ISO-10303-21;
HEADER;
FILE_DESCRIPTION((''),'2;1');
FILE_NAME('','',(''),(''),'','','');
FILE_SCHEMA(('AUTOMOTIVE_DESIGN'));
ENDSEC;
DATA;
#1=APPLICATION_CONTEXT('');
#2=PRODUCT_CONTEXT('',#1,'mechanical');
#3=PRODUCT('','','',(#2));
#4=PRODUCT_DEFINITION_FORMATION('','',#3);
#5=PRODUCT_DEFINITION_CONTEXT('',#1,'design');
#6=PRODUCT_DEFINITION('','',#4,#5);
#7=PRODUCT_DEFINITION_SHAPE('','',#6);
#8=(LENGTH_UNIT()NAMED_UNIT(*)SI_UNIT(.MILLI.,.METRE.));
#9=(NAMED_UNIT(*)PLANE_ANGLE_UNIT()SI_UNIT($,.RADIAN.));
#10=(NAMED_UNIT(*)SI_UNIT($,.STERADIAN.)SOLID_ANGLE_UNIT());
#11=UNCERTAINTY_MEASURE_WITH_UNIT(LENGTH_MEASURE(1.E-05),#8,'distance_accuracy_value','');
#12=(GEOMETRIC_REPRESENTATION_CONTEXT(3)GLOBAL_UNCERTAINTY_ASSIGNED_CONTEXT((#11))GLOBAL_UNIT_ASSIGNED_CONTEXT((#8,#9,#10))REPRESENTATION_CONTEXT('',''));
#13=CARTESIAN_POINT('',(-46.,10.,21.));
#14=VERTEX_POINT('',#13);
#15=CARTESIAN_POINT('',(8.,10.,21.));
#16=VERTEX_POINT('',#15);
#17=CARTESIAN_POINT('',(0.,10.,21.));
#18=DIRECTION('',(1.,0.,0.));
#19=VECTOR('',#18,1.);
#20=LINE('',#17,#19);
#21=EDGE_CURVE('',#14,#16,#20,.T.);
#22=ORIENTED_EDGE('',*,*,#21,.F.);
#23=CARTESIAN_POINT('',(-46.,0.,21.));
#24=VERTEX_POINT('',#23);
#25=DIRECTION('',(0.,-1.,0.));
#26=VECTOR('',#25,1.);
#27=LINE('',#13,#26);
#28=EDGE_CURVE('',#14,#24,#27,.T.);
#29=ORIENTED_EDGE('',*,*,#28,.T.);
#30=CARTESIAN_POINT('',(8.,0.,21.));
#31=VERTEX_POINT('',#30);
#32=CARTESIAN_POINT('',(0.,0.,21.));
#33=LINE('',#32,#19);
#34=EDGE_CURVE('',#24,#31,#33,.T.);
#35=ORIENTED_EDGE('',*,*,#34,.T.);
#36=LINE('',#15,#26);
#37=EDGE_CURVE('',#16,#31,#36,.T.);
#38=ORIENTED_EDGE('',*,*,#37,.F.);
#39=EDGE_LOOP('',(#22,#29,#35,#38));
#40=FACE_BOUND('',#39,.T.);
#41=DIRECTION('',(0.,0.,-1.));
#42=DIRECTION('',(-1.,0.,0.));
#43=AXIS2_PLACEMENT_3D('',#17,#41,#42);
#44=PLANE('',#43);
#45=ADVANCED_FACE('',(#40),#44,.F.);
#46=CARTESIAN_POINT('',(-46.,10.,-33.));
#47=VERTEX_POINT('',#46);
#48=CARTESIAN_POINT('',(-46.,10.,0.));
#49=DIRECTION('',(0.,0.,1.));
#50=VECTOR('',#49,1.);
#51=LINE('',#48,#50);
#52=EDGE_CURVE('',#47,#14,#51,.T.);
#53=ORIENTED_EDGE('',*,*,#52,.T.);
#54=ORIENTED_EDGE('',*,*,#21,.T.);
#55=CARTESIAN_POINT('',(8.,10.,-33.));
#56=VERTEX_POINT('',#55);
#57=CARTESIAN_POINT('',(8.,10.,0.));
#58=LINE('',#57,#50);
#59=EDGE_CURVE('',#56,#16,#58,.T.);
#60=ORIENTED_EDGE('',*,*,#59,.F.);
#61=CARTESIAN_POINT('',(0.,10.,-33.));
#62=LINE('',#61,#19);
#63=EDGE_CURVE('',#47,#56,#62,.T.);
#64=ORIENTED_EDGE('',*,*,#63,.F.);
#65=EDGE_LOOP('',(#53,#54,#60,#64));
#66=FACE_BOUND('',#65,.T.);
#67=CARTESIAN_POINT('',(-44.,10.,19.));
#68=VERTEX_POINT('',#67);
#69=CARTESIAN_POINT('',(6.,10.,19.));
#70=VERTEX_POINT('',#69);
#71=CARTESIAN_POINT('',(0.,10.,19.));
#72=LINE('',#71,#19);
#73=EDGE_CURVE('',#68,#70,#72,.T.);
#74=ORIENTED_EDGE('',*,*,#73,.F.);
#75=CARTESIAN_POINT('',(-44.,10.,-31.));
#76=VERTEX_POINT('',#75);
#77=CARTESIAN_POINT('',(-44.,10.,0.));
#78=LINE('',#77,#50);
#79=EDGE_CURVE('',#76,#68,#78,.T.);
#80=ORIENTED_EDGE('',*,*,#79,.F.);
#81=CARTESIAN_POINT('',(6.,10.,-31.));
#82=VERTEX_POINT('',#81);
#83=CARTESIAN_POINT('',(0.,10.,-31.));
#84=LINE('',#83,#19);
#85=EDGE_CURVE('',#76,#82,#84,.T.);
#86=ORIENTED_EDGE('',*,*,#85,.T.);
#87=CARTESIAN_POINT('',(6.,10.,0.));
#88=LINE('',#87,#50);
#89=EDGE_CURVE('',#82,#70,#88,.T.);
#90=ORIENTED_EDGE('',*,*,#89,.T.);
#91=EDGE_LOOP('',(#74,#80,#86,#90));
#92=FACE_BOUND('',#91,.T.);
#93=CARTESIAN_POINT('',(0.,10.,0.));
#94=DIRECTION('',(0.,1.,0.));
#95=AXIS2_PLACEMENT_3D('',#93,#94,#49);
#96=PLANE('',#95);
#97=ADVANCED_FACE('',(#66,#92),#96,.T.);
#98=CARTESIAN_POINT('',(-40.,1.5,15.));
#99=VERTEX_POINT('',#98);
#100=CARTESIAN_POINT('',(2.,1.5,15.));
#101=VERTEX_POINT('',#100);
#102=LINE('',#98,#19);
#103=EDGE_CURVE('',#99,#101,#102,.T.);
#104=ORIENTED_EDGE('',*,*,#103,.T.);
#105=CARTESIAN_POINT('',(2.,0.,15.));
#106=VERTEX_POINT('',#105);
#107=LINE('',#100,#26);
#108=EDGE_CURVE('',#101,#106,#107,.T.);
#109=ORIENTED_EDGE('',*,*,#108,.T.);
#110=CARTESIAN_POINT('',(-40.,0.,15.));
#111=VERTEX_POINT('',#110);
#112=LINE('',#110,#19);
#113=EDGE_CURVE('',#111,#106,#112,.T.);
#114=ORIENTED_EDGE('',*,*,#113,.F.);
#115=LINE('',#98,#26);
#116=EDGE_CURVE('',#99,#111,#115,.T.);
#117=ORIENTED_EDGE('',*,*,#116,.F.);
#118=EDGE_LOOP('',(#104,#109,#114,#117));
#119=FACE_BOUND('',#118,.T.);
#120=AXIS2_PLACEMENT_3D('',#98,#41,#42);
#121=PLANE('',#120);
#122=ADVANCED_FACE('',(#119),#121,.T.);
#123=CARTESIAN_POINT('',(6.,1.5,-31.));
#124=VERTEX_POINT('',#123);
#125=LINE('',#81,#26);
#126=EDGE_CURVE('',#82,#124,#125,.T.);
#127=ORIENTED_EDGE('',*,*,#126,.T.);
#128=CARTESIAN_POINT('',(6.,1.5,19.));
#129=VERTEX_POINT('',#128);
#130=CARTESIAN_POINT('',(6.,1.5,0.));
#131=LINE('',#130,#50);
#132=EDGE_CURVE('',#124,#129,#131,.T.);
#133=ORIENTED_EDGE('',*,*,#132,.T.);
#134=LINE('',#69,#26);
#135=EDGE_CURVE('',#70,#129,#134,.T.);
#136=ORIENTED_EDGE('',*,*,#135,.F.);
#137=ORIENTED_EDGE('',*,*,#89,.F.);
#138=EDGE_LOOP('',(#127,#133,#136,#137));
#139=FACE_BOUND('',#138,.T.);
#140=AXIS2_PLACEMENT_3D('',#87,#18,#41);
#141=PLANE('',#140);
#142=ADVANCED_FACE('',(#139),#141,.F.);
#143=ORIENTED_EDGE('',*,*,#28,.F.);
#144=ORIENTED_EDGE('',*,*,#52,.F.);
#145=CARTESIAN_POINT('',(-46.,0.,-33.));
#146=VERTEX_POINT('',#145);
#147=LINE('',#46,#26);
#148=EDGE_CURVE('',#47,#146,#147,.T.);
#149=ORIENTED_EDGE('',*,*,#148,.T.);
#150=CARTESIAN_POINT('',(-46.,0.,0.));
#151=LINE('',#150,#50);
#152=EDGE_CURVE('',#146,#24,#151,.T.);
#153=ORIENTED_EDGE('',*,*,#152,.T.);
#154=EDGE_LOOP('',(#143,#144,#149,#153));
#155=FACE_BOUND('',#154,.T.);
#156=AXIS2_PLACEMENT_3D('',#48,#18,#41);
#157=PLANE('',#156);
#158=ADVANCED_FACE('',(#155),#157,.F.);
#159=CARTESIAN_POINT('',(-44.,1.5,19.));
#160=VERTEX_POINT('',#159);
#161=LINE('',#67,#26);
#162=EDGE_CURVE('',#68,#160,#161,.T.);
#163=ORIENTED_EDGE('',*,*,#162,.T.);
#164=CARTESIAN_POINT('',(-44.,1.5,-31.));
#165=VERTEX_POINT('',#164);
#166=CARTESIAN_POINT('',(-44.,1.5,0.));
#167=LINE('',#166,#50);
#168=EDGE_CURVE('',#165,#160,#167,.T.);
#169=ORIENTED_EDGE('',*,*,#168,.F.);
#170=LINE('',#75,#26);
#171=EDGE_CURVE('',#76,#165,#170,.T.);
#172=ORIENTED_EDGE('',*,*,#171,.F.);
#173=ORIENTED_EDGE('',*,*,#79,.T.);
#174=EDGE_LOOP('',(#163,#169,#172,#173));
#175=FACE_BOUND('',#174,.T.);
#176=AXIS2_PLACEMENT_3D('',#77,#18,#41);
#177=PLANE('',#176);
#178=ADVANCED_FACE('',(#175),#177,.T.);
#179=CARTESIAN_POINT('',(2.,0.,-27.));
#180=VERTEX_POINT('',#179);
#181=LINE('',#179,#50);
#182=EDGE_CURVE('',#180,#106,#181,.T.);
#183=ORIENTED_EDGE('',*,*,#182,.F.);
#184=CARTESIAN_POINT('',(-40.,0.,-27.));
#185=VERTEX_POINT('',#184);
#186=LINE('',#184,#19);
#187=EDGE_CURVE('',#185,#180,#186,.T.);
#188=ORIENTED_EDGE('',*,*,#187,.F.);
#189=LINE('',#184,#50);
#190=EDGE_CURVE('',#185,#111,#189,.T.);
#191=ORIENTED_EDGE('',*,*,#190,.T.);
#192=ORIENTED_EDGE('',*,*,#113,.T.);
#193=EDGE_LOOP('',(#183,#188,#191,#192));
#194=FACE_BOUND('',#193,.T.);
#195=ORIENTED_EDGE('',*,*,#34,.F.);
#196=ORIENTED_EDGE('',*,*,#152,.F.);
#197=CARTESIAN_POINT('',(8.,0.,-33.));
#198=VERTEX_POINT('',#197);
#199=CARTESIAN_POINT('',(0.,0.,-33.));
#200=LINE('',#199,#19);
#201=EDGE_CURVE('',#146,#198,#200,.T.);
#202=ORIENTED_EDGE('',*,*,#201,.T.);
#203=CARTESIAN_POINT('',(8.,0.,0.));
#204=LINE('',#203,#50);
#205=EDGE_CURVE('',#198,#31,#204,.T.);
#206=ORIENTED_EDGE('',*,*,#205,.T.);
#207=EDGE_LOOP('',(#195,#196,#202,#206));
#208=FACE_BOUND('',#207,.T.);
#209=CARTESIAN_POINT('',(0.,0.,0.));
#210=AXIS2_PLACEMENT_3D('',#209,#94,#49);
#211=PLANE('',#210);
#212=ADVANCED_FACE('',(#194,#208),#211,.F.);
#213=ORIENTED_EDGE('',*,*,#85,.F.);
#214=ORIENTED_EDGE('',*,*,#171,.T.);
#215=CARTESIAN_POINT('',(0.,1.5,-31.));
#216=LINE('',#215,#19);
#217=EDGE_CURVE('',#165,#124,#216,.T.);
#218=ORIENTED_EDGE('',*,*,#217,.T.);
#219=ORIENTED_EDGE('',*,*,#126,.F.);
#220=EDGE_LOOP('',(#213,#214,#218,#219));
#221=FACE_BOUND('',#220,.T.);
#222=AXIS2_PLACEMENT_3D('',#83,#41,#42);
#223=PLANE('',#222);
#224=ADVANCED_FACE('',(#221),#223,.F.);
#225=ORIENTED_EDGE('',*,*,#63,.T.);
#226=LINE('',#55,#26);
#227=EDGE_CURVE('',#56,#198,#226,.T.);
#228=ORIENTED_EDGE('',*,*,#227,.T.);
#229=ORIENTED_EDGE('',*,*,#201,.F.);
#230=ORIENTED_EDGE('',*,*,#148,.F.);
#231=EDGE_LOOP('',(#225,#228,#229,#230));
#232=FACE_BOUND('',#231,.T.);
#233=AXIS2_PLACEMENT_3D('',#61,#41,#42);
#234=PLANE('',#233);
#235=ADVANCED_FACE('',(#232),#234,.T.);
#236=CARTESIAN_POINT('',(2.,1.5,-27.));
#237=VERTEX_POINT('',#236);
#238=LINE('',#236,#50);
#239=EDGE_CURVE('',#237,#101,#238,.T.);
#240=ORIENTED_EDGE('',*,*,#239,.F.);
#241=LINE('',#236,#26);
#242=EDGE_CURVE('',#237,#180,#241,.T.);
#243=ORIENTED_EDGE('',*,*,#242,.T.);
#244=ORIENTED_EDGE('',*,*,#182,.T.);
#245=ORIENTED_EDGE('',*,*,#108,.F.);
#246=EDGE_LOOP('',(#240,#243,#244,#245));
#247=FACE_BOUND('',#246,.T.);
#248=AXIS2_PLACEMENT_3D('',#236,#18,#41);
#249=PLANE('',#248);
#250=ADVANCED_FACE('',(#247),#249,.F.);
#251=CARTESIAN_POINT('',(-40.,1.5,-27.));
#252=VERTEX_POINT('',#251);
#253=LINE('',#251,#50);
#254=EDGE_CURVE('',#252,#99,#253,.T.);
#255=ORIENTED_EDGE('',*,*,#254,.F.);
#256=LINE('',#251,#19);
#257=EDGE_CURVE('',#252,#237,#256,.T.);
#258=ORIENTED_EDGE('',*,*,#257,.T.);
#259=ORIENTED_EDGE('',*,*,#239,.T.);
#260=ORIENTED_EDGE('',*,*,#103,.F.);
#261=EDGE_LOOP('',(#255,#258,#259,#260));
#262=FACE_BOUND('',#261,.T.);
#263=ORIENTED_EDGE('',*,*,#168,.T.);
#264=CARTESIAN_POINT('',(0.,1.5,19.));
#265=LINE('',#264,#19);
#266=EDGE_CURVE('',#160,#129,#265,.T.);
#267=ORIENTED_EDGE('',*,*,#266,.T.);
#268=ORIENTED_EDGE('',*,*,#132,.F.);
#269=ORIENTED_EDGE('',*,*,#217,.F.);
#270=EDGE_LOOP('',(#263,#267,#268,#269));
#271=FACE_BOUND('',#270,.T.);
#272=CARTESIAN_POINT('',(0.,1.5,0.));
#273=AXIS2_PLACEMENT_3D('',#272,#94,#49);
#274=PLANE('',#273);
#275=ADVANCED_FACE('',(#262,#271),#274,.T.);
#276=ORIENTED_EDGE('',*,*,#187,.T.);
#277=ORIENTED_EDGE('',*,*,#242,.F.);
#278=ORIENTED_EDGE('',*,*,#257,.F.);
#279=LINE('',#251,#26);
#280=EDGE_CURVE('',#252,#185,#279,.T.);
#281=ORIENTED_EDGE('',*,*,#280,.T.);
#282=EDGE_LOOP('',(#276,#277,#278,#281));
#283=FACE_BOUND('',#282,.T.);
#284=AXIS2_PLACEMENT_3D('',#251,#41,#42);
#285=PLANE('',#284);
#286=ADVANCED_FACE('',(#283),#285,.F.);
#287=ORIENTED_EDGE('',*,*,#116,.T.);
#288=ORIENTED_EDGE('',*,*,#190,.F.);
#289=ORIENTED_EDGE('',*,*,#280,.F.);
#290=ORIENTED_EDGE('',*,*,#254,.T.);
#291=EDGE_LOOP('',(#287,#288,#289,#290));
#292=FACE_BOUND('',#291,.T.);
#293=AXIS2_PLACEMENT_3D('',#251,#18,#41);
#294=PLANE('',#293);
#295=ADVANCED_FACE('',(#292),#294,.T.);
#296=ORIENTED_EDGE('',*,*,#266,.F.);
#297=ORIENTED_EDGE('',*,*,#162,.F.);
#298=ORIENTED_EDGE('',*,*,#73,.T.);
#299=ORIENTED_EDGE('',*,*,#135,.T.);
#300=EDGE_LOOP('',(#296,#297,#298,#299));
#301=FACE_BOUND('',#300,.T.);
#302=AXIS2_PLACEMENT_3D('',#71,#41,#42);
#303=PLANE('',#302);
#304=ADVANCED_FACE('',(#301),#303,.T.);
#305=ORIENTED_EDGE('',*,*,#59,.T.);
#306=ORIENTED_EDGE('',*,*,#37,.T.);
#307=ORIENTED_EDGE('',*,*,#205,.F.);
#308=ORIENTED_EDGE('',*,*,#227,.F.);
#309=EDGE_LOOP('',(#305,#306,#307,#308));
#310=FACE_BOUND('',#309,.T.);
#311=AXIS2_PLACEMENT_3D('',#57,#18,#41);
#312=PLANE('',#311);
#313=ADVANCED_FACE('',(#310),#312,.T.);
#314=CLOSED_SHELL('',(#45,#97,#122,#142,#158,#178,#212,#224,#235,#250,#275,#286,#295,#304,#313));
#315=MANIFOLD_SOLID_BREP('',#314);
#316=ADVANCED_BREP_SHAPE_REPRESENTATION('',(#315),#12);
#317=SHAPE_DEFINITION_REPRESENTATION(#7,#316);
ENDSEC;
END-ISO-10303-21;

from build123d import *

# Parameters (mm, degrees)
SKETCH1_W           = 50
SKETCH1_H           = 50
SKETCH1_W_2         = 42
SKETCH1_H_2         = 42
BOSS_EXTRUDE8_DEPTH = 1.5
SKETCH1_19_W        = 54
SKETCH1_19_H        = 54
SKETCH1_19_W_2      = 50
SKETCH1_19_H_2      = 50
BOSS_EXTRUDE9_DEPTH = 10


with BuildPart() as part:
    # Sketch1 → Boss-Extrude8 (new body)
    with BuildSketch(Plane(origin=(0, 0, 0), x_dir=(1, 0, 0), z_dir=(0, 1, 0))):
        with Locations((-19, 6)):
            Rectangle(SKETCH1_W, SKETCH1_H)
        with Locations((-19, 6)):
            Rectangle(SKETCH1_W_2, SKETCH1_H_2, mode=Mode.SUBTRACT)
    extrude(amount=BOSS_EXTRUDE8_DEPTH)

    # Sketch1<19> → Boss-Extrude9 (add)
    with BuildSketch(Plane(origin=(0, 0, 0), x_dir=(1, 0, 0), z_dir=(0, 1, 0))):
        with Locations((-19, 6)):
            Rectangle(SKETCH1_19_W, SKETCH1_19_H)
        with Locations((-19, 6)):
            Rectangle(SKETCH1_19_W_2, SKETCH1_19_H_2, mode=Mode.SUBTRACT)
    extrude(amount=BOSS_EXTRUDE9_DEPTH)


solid = part.part
